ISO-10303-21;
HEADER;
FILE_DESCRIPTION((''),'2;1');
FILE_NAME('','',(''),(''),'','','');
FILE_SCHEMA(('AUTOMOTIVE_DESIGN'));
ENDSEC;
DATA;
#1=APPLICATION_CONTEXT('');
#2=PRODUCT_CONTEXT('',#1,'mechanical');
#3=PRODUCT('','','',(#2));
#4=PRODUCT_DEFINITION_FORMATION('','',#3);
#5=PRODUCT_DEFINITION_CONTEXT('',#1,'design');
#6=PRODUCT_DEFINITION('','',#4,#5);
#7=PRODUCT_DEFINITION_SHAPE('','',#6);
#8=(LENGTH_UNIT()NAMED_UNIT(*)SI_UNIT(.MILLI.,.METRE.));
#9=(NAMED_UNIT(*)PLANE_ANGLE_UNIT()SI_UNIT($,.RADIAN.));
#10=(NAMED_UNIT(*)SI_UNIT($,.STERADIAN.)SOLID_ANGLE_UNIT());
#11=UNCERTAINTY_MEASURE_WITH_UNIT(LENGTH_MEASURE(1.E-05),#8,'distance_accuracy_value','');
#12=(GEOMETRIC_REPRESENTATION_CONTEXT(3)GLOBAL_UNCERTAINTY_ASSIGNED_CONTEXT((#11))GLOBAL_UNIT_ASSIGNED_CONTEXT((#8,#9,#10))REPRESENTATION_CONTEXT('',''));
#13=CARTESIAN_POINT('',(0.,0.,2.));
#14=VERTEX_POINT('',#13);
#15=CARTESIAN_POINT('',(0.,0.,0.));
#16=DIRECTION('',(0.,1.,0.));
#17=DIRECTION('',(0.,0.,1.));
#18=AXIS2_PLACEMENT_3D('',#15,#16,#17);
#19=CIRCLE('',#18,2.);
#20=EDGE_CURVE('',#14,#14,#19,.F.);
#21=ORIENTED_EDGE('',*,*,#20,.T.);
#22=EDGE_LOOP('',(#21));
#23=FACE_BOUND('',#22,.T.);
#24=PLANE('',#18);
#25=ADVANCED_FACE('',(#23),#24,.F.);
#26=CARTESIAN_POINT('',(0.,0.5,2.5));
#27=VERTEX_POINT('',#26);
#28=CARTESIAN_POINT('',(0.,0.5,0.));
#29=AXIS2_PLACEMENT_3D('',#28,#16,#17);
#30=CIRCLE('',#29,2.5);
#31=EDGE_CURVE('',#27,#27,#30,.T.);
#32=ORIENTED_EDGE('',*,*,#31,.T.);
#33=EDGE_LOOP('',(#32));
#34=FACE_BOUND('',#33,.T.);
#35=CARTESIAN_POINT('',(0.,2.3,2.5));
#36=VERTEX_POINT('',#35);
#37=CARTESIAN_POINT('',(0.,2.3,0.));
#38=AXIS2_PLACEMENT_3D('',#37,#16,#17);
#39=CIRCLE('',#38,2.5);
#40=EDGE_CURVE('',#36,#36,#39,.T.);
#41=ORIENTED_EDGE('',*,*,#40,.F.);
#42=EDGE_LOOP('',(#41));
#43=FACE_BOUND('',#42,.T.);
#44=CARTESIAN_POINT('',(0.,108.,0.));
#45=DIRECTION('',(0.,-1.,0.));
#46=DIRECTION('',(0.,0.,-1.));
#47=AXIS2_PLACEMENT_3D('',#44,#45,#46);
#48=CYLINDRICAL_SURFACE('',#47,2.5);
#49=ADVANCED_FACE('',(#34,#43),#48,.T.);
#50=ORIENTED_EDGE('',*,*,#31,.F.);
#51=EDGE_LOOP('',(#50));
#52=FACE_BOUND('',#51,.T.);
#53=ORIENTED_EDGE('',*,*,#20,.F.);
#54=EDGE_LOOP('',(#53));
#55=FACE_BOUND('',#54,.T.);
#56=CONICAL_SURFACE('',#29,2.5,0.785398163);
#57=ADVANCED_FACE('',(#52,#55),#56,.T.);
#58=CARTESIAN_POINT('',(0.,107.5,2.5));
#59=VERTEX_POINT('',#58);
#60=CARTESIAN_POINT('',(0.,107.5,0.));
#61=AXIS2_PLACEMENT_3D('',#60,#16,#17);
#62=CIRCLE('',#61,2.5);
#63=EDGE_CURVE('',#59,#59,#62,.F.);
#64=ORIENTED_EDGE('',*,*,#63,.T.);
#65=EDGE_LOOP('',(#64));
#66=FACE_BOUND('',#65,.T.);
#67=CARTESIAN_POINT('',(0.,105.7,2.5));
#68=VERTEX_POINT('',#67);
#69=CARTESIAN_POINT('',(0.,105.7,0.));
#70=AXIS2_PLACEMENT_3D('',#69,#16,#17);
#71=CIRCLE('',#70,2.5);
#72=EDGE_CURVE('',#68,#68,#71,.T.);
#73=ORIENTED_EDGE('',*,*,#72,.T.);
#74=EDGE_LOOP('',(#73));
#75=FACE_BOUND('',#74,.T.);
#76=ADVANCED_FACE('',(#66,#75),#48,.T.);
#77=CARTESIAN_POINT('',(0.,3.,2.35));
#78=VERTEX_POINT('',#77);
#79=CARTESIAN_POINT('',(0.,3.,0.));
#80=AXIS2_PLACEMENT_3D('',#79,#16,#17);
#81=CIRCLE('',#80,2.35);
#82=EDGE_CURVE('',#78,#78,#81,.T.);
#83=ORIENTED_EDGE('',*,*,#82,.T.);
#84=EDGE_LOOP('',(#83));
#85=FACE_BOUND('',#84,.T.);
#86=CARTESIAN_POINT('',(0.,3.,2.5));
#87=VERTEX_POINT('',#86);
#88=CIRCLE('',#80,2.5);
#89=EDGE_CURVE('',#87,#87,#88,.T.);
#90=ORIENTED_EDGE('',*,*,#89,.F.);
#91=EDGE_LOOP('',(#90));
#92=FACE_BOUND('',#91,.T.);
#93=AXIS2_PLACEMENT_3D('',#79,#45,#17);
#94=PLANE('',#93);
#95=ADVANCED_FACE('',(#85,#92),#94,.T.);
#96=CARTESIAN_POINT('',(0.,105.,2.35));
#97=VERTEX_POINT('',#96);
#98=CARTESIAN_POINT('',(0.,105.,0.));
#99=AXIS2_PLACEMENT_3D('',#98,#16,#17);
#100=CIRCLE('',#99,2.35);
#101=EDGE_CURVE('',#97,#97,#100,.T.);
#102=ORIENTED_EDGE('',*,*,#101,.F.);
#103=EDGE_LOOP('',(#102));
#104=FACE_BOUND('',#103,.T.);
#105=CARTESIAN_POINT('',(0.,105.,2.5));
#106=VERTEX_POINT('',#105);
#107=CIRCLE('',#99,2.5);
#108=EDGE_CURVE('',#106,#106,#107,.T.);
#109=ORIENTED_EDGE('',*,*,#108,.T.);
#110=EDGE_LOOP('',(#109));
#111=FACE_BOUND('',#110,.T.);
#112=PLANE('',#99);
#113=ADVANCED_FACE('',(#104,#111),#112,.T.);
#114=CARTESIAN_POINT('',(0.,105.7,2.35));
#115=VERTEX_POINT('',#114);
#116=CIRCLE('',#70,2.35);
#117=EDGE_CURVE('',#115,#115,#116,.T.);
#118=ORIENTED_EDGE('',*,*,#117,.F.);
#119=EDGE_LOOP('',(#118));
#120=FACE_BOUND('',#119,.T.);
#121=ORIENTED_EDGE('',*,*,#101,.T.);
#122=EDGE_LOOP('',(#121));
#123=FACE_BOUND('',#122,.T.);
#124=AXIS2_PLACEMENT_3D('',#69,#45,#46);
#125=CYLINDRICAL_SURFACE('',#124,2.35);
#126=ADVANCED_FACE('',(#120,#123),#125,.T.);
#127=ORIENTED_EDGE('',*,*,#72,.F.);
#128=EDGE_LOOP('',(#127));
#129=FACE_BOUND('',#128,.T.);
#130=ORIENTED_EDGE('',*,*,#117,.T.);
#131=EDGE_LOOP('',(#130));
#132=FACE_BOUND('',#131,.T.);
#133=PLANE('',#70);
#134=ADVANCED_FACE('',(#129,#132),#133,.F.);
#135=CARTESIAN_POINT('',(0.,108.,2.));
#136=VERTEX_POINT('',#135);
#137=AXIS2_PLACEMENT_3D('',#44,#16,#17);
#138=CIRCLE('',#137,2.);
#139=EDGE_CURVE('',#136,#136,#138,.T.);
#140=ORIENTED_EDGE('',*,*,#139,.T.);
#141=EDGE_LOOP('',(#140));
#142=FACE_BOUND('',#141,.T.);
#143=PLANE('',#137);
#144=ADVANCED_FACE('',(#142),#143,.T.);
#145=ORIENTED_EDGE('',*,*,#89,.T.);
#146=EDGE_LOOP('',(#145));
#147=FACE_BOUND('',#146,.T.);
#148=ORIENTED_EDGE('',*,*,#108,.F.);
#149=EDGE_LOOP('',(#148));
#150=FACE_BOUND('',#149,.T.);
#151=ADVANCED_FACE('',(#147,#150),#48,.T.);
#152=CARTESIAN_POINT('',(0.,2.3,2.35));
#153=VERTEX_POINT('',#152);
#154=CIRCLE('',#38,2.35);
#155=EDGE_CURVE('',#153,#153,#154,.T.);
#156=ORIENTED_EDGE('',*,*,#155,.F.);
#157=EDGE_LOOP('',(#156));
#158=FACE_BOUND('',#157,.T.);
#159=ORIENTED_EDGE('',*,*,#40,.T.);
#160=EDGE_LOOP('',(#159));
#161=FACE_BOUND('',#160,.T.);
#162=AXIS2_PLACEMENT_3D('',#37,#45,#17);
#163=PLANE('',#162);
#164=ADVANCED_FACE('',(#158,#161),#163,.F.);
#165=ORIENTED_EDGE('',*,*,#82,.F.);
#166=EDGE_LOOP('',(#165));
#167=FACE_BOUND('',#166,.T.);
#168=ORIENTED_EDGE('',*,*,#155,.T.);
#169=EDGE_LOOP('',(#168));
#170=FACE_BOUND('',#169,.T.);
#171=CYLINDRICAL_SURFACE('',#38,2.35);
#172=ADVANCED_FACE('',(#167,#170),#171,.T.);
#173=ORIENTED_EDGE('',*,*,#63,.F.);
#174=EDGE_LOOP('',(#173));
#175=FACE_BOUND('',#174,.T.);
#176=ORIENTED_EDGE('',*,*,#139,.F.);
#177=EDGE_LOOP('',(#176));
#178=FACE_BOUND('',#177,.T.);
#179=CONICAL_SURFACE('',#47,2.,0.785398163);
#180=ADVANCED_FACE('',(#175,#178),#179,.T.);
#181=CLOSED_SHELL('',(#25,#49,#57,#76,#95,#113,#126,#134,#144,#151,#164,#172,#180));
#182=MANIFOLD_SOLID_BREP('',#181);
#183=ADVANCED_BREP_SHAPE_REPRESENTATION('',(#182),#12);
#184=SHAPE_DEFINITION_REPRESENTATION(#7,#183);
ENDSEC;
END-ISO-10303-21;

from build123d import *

# Parameters (mm, degrees)
SKETCH_1_R          = 2.5
EXTRUDE_1_DEPTH     = 108
CHAMFER_1_SIZE      = 0.5
CUT_EXTRUDE_START   = -3
SKETCH_2_R          = 2.5
SKETCH_2_R_2        = 2.35
CUT_EXTRUDE_1_DEPTH = 0.7


with BuildPart() as part:
    # 草图1 → 凸台-拉伸1 (new body)
    with BuildSketch(Plane(origin=(0, 0, 0), x_dir=(1, 0, 0), z_dir=(0, 1, 0))):
        with Locations(Location((0, 0, 0), (0, 0, 270))):
            Circle(SKETCH_1_R)
    extrude(amount=EXTRUDE_1_DEPTH)

    # 倒角1
    chamfer_1_edges = [part.edges().sort_by_distance(p)[0] for p in [
        (0, 0, -2.5),
        (0, 108, -2.5),
    ]]
    chamfer(chamfer_1_edges, length=CHAMFER_1_SIZE)

    # 草图2 → 切除-拉伸1 (cut)
    with BuildSketch(Plane(origin=(0, 108, 0), x_dir=(1, 0, 0), z_dir=(0, 1, 0)).offset(CUT_EXTRUDE_START)):
        with Locations(Location((0, 0, 0), (0, 0, 270))):
            Circle(SKETCH_2_R)
        with Locations(Location((0, 0, 0), (0, 0, 270))):
            Circle(SKETCH_2_R_2, mode=Mode.SUBTRACT)
    cut_extrude_1 = extrude(amount=CUT_EXTRUDE_1_DEPTH, mode=Mode.SUBTRACT)

    # 镜向1: 切除-拉伸1 across plane
    add(cut_extrude_1.mirror(Plane.ZX.offset(54)), mode=Mode.SUBTRACT)


solid = part.part
